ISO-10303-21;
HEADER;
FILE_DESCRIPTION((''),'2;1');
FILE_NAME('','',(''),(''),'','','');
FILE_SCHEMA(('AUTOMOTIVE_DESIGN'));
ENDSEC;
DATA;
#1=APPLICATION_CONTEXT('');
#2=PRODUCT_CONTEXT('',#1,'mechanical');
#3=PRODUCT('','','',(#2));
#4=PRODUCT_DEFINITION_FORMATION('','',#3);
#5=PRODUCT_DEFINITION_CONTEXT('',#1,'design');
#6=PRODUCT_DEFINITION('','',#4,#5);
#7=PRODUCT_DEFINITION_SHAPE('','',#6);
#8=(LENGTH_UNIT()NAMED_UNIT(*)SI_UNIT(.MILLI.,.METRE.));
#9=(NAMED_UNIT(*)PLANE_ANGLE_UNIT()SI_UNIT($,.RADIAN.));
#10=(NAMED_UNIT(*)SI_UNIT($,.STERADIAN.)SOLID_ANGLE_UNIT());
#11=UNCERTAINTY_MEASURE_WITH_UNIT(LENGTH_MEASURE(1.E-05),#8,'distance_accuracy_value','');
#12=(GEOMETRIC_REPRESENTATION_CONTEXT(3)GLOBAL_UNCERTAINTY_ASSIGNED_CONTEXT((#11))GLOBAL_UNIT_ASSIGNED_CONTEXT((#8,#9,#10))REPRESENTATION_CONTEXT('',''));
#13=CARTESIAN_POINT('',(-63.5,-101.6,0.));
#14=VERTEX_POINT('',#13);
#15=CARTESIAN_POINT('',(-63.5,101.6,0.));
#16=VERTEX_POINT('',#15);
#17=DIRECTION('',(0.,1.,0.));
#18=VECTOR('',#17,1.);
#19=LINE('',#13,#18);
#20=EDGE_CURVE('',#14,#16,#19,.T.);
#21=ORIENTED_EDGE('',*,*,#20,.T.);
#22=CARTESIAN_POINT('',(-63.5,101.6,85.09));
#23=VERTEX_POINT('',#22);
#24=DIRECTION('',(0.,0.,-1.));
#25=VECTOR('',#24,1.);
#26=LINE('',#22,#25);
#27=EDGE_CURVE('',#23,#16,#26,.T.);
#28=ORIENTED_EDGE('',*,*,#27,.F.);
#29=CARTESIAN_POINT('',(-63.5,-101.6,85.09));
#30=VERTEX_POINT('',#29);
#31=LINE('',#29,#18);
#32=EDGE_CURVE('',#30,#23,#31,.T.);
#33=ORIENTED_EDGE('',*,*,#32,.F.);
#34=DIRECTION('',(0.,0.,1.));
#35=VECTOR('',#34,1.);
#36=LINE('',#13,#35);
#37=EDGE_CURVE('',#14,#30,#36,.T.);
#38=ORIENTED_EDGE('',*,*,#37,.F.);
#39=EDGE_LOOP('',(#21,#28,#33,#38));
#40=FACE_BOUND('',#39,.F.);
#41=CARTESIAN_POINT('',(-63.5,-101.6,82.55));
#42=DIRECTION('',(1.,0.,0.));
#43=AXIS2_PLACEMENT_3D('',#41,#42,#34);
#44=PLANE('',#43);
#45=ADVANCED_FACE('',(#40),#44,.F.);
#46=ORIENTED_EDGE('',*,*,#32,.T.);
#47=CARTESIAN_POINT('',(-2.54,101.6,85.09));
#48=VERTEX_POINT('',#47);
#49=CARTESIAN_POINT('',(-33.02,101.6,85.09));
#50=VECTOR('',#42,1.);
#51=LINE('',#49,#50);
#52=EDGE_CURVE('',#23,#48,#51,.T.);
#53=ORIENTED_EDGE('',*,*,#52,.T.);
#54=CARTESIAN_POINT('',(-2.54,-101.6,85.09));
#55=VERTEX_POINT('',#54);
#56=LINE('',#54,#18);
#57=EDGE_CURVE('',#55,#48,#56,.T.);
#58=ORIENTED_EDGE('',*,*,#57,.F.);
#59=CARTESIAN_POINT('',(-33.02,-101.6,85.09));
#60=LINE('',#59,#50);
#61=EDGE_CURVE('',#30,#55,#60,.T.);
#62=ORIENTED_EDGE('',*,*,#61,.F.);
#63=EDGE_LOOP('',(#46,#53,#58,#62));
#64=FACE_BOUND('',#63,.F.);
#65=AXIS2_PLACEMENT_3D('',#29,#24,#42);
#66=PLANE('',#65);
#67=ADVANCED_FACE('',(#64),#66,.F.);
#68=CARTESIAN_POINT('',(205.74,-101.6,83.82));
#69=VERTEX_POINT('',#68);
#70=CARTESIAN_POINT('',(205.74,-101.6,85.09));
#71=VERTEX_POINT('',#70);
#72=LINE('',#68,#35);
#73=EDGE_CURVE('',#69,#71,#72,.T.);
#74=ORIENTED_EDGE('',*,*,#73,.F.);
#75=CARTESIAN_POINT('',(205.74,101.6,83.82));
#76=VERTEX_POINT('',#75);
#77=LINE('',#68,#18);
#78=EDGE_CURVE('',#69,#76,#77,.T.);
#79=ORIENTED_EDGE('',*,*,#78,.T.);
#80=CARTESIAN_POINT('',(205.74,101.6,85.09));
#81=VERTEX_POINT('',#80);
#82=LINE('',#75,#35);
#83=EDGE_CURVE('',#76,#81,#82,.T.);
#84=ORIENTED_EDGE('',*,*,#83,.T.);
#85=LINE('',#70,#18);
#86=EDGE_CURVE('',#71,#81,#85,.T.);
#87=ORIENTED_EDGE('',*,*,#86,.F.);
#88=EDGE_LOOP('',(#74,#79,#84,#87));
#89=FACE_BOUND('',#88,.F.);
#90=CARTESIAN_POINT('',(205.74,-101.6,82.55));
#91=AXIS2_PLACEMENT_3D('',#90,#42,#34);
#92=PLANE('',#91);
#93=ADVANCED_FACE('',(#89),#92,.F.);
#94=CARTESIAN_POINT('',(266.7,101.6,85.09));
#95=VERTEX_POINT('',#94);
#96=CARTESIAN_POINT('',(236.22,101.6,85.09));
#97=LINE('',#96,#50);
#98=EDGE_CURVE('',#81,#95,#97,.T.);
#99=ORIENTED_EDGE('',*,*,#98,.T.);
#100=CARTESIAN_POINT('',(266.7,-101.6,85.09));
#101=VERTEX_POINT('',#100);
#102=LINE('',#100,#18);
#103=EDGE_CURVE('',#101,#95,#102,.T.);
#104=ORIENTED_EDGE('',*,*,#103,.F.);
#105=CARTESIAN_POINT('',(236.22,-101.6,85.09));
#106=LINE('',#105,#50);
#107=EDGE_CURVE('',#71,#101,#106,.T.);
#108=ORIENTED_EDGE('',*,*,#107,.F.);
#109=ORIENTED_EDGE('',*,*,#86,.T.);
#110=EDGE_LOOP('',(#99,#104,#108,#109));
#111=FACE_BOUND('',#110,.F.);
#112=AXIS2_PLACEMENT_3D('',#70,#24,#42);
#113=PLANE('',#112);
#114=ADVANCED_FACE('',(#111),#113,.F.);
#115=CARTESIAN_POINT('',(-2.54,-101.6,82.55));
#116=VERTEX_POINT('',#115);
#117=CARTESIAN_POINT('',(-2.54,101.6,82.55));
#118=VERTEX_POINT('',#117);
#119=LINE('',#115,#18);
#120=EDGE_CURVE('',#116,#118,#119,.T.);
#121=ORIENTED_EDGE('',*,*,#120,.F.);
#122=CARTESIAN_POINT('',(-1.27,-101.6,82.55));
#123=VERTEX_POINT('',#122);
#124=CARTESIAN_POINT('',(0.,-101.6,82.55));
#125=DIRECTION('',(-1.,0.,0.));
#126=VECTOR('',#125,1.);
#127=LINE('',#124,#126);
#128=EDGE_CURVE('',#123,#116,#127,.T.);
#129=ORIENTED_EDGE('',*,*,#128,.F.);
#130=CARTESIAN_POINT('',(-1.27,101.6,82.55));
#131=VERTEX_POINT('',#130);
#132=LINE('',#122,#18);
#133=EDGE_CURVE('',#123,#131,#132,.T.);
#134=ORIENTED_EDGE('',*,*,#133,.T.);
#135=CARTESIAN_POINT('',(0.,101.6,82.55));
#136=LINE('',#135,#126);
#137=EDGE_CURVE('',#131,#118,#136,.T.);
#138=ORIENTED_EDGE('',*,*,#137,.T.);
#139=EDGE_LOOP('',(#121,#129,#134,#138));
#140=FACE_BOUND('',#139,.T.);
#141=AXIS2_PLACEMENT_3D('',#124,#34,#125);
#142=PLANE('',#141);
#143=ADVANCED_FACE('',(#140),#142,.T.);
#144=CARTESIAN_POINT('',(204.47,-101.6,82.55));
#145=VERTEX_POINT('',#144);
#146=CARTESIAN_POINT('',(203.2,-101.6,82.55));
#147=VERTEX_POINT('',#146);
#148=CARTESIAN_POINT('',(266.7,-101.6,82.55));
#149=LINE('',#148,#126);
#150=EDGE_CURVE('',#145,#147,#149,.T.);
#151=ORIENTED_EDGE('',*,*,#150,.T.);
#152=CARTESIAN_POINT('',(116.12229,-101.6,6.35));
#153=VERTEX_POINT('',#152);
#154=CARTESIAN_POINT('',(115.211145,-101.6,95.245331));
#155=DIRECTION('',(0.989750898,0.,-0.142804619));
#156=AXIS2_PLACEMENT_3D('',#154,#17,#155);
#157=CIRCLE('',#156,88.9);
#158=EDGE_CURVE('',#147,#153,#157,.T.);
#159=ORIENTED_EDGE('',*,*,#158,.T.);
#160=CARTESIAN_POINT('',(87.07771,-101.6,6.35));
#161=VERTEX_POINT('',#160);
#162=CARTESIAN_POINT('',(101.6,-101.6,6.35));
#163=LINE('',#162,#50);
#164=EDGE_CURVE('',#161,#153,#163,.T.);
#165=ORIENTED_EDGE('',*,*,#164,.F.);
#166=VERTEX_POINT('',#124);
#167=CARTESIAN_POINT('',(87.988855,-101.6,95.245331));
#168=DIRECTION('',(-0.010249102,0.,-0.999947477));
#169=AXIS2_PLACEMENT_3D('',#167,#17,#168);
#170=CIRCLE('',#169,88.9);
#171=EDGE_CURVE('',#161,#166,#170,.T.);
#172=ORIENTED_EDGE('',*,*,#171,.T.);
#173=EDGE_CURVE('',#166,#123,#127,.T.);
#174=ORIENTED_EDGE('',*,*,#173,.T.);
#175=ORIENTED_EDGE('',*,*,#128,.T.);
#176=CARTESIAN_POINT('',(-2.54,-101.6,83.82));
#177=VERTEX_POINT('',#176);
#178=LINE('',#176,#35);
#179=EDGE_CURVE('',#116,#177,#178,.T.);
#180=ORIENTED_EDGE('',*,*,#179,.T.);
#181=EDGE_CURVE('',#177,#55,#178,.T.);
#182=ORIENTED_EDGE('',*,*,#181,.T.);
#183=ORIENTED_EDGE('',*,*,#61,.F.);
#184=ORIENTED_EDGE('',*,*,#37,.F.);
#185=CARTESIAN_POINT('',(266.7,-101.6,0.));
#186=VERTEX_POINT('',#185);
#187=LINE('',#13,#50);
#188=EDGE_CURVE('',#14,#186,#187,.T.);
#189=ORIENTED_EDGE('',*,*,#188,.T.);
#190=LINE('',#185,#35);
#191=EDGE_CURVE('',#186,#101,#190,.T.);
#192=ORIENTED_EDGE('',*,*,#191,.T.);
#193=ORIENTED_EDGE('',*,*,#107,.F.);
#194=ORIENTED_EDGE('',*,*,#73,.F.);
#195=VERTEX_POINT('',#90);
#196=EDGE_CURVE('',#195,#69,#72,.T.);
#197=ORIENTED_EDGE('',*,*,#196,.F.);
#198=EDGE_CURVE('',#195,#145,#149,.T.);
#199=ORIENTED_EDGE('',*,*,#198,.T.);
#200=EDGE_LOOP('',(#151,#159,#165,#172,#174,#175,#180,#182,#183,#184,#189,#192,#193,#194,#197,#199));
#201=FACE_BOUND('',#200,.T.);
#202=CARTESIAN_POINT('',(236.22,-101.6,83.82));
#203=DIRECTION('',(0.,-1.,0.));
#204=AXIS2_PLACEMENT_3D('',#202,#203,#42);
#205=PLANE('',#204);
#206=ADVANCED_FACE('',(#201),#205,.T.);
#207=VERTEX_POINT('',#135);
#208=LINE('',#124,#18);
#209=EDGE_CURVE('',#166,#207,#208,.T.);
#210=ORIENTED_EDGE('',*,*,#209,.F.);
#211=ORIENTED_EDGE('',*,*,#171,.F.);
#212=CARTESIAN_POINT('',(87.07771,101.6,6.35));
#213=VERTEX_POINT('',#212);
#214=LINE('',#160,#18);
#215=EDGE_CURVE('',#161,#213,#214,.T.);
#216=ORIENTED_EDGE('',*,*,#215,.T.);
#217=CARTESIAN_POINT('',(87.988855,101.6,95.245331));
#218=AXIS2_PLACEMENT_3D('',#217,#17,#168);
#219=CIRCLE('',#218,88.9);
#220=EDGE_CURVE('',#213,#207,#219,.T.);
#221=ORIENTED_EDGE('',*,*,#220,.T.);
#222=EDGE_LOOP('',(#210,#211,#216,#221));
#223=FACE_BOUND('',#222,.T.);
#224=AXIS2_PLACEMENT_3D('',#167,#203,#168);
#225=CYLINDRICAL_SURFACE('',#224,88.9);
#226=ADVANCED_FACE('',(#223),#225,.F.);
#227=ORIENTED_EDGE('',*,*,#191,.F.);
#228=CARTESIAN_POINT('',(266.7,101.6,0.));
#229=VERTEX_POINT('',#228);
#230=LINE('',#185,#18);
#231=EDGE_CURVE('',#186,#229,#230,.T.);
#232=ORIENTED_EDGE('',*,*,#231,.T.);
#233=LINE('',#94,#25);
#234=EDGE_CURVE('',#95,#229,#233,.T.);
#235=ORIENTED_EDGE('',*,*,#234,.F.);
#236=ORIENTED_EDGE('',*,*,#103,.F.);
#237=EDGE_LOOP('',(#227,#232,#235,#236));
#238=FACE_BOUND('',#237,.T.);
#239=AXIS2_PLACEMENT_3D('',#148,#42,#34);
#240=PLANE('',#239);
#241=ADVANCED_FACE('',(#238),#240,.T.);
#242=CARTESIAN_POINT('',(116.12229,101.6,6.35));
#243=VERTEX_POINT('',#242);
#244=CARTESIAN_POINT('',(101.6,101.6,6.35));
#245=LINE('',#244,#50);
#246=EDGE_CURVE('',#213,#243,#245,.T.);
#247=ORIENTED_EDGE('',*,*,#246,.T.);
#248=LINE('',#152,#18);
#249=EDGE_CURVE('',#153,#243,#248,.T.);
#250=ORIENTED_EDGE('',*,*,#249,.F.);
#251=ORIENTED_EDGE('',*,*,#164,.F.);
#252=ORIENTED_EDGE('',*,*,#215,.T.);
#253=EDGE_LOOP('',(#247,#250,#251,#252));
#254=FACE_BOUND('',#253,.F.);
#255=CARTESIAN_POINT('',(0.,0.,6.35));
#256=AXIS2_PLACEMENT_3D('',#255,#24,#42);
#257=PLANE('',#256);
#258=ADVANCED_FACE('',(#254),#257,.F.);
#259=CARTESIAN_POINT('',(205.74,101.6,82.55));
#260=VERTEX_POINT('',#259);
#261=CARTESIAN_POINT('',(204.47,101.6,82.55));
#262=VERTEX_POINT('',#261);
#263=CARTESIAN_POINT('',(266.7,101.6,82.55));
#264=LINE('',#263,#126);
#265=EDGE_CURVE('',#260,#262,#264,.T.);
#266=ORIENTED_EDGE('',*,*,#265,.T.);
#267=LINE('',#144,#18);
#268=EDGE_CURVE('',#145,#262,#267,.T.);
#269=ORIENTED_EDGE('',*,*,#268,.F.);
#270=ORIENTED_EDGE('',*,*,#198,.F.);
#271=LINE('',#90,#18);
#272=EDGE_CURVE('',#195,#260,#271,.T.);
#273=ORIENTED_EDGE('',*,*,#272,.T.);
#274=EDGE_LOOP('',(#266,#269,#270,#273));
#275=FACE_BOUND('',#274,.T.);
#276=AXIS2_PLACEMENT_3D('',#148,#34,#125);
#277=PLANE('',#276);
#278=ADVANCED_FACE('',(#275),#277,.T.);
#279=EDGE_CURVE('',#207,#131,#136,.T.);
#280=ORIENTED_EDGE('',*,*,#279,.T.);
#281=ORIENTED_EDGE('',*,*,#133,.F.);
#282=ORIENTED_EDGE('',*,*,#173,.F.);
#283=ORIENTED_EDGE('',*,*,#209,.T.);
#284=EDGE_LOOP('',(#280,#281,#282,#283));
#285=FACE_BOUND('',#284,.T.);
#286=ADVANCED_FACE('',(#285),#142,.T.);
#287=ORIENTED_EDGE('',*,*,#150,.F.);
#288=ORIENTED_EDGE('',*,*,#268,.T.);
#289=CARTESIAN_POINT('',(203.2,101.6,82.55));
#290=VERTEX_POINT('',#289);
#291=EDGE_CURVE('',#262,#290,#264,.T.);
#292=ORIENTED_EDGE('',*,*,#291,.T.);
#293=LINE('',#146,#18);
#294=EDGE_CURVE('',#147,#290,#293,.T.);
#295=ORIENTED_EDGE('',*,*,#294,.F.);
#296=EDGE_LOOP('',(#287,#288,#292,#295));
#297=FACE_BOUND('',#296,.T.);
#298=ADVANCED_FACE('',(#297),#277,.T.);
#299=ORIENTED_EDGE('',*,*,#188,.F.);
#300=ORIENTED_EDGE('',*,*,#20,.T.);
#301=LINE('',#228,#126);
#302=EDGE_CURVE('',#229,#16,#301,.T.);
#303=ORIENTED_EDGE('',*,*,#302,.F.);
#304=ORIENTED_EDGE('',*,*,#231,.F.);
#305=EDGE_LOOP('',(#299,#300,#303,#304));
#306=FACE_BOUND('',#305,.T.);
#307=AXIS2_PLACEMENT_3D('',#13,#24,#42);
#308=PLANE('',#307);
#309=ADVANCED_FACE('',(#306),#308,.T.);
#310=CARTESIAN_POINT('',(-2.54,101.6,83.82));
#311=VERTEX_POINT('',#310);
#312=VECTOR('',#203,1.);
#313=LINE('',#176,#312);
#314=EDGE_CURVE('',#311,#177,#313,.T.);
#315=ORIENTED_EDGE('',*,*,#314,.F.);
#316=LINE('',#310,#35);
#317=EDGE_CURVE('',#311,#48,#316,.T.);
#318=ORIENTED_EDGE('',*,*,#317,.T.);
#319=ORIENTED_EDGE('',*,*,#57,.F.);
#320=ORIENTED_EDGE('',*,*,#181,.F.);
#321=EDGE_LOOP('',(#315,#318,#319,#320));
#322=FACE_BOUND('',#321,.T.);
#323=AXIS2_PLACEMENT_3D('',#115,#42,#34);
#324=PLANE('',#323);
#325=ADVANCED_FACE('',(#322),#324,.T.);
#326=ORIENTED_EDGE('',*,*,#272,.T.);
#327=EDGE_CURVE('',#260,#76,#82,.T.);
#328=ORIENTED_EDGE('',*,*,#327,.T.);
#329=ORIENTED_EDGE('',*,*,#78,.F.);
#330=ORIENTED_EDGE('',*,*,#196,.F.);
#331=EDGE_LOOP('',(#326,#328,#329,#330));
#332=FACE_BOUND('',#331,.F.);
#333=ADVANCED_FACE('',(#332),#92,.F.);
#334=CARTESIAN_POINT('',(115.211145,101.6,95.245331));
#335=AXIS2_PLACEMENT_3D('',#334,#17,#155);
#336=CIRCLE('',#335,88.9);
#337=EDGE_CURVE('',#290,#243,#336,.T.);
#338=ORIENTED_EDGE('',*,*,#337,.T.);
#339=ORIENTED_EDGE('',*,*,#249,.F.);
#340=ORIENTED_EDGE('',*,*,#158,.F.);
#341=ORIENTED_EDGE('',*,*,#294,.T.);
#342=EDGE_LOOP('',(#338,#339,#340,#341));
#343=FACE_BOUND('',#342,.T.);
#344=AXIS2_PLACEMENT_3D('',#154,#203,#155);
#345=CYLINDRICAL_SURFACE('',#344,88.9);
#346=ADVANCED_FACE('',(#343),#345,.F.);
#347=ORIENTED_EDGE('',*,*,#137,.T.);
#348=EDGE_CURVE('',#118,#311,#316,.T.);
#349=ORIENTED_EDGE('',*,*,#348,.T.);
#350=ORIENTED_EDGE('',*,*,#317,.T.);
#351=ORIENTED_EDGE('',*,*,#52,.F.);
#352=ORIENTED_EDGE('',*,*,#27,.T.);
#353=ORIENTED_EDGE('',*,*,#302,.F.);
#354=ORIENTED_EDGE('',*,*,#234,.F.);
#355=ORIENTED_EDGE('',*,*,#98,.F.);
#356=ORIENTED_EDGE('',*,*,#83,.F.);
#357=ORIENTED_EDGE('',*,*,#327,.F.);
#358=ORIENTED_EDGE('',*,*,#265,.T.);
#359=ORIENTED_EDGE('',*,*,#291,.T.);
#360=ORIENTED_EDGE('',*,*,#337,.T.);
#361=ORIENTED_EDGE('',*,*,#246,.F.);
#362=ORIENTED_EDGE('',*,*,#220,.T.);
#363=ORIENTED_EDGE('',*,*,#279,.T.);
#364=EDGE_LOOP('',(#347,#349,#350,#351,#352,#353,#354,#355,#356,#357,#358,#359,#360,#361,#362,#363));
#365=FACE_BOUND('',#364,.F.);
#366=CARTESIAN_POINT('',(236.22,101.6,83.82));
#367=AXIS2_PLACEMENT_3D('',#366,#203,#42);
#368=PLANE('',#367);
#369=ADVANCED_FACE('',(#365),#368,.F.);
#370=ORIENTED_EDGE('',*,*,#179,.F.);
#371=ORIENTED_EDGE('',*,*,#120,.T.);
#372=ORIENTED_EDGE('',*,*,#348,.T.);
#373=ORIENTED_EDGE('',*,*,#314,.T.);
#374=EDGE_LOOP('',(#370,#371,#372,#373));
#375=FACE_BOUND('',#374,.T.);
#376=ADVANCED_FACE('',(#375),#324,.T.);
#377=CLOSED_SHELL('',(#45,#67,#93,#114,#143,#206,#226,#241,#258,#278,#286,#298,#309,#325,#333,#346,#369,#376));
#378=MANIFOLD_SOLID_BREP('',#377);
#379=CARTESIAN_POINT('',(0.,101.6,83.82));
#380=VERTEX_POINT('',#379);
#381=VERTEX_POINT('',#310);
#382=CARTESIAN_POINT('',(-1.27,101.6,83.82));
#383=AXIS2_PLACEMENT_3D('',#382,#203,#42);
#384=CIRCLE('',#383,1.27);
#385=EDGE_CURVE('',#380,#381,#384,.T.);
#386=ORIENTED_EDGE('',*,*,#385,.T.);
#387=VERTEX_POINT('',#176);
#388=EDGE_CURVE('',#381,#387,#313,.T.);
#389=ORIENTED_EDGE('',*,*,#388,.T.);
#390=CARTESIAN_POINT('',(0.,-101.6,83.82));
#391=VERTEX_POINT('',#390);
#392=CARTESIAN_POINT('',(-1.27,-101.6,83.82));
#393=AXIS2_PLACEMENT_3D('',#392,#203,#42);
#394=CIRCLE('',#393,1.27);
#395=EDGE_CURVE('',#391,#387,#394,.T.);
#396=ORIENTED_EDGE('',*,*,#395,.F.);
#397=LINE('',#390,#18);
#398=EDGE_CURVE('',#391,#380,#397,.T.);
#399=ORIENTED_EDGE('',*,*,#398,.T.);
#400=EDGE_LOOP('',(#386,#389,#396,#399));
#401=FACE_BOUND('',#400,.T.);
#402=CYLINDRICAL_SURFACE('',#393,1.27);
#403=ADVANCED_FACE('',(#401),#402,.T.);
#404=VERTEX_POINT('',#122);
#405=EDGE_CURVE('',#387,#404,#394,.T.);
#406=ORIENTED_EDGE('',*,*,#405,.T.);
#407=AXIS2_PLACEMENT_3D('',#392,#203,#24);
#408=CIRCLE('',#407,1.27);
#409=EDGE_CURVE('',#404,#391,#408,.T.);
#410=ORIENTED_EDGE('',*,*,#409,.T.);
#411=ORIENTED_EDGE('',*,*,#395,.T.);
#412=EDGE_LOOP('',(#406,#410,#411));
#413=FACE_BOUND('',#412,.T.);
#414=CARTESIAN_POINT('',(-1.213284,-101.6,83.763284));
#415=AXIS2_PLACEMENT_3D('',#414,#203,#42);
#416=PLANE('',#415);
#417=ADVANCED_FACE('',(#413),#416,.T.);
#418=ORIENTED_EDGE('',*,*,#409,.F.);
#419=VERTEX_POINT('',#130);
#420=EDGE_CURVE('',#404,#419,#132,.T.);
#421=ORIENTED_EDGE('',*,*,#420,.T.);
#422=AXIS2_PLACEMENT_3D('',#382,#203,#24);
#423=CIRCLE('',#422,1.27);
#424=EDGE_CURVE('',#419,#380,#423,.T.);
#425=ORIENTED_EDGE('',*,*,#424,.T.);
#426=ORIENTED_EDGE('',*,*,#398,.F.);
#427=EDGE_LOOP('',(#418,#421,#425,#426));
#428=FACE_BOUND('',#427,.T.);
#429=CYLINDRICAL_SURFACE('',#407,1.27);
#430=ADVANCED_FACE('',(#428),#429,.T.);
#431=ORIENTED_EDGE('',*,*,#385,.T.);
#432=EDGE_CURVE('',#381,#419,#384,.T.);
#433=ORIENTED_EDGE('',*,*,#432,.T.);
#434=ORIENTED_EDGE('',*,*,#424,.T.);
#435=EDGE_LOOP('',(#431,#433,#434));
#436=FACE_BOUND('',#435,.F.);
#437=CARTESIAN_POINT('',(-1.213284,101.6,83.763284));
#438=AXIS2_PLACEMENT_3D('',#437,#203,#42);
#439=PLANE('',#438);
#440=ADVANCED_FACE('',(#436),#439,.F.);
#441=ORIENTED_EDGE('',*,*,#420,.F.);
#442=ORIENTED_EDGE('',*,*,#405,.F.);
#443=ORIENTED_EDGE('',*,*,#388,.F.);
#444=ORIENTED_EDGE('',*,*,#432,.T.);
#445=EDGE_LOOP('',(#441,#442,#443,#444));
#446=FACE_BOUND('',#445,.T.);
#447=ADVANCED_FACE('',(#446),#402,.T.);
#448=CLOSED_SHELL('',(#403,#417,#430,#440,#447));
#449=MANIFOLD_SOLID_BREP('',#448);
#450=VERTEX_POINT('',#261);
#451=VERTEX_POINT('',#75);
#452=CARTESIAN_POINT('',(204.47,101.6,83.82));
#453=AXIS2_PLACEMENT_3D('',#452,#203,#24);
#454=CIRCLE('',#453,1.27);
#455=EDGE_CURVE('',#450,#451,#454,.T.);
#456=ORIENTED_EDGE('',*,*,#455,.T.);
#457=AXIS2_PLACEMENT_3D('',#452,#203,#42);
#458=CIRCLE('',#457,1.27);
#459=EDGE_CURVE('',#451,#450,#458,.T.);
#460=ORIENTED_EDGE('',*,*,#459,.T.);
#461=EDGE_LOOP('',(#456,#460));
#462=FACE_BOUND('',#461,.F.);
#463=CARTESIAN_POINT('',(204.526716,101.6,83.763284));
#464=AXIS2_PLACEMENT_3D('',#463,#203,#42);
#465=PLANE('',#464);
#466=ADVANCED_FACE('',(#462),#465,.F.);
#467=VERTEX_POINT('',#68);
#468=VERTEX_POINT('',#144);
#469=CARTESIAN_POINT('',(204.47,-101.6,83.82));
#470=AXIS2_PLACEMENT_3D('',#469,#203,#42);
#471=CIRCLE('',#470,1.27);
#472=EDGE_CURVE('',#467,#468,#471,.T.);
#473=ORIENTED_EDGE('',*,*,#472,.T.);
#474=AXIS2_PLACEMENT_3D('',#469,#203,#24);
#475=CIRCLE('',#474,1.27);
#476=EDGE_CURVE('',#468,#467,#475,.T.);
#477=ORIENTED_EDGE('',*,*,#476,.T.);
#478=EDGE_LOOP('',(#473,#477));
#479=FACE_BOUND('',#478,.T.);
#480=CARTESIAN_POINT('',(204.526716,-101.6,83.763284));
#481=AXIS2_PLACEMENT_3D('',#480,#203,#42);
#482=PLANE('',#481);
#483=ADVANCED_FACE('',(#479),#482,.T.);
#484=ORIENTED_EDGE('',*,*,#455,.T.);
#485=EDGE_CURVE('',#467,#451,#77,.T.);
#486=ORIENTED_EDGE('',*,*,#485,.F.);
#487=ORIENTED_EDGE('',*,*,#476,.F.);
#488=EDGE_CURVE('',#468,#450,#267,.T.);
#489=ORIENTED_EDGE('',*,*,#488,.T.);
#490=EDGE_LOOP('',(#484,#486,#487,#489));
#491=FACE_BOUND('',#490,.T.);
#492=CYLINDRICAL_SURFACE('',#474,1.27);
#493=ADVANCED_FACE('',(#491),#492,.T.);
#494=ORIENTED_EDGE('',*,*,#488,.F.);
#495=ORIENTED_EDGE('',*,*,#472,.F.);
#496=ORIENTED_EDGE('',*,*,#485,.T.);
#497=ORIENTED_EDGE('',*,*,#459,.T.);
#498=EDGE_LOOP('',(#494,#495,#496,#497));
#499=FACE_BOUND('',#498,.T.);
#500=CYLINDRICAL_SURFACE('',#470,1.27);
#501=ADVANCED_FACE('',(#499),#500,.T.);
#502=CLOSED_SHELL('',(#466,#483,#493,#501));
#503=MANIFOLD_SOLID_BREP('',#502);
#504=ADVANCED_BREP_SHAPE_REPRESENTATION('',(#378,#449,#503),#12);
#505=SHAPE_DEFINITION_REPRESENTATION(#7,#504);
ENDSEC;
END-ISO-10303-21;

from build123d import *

# Parameters (mm, degrees)
F0_W     = 203.2
F0_H     = 6.35
F1_DEPTH = 101.6
F3_DEPTH = 203.2
F5_DEPTH = 203.2
F6_W     = 60.96
F6_H     = 2.54
F7_DEPTH = 203.2


with BuildPart() as f1:
    # F0 (on Front) → F1 (new body, symmetric)
    with BuildSketch(Plane.XZ):
        with Locations((101.6, 3.175)):
            Rectangle(F0_W, F0_H)
    extrude(amount=F1_DEPTH, both=True)

    # F2 (on face) → F3 (join)
    with BuildSketch(Plane.XZ.offset(101.6)):
        Polygon((0, 6.35), (0, 82.55), (-63.5, 82.55), (-63.5, 0), (0, 0), align=None)
        with BuildLine():
            ThreePointArc((87.0777097162, 6.35), (29.4447475543, 28.3439293371), (0, 82.55))
            Line((0, 82.55), (0, 6.35))
            Line((0, 6.35), (87.0777097162, 6.35))
        make_face()
        with BuildLine():
            ThreePointArc((203.2, 82.55), (173.7552524457, 28.3439293371), (116.1222902838, 6.35))
            Line((116.1222902838, 6.35), (203.2, 6.35))
            Line((203.2, 6.35), (203.2, 82.55))
        make_face()
        Polygon((203.2, 6.35), (203.2, 0), (266.7, 0), (266.7, 82.55), (203.2, 82.55), align=None)
    extrude(amount=-F3_DEPTH)


with BuildPart() as f5:
    # F4 (on face) → F5 (new body)
    with BuildSketch(Plane.XZ.offset(101.6)):
        with BuildLine():
            ThreePointArc((0, 83.82), (-2.1680256121, 84.7180256121), (-1.27, 82.55))
            ThreePointArc((-1.27, 82.55), (-0.3719743879, 82.9219743879), (0, 83.82))
        make_face()
    extrude(amount=-F5_DEPTH)


with BuildPart() as f5b:
    # F4 (on face) → F5, piece 2 (new body)
    with BuildSketch(Plane.XZ.offset(101.6)):
        with BuildLine():
            ThreePointArc((204.47, 82.55), (205.3680256121, 82.9219743879), (205.74, 83.82))
            ThreePointArc((205.74, 83.82), (203.5719743879, 84.7180256121), (204.47, 82.55))
        make_face()
    extrude(amount=-F5_DEPTH)


with BuildPart() as f7:
    # F6 (on face) → F7 (new body)
    with BuildSketch(Plane.XZ.offset(101.6)):
        with Locations((-33.02, 83.82)):
            Rectangle(F6_W, F6_H)
    extrude(amount=-F7_DEPTH)


with BuildPart() as f7b:
    # F6 (on face) → F7, piece 2 (new body)
    with BuildSketch(Plane.XZ.offset(101.6)):
        with Locations((236.22, 83.82)):
            Rectangle(F6_W, F6_H)
    extrude(amount=-F7_DEPTH)


with BuildPart() as f1_1:
    add(f1.part)

    # F8: union F5, F5b, F7, F7b
    add(f5.part)
    add(f5b.part)
    add(f7.part)
    add(f7b.part)


solid = f1_1.part
